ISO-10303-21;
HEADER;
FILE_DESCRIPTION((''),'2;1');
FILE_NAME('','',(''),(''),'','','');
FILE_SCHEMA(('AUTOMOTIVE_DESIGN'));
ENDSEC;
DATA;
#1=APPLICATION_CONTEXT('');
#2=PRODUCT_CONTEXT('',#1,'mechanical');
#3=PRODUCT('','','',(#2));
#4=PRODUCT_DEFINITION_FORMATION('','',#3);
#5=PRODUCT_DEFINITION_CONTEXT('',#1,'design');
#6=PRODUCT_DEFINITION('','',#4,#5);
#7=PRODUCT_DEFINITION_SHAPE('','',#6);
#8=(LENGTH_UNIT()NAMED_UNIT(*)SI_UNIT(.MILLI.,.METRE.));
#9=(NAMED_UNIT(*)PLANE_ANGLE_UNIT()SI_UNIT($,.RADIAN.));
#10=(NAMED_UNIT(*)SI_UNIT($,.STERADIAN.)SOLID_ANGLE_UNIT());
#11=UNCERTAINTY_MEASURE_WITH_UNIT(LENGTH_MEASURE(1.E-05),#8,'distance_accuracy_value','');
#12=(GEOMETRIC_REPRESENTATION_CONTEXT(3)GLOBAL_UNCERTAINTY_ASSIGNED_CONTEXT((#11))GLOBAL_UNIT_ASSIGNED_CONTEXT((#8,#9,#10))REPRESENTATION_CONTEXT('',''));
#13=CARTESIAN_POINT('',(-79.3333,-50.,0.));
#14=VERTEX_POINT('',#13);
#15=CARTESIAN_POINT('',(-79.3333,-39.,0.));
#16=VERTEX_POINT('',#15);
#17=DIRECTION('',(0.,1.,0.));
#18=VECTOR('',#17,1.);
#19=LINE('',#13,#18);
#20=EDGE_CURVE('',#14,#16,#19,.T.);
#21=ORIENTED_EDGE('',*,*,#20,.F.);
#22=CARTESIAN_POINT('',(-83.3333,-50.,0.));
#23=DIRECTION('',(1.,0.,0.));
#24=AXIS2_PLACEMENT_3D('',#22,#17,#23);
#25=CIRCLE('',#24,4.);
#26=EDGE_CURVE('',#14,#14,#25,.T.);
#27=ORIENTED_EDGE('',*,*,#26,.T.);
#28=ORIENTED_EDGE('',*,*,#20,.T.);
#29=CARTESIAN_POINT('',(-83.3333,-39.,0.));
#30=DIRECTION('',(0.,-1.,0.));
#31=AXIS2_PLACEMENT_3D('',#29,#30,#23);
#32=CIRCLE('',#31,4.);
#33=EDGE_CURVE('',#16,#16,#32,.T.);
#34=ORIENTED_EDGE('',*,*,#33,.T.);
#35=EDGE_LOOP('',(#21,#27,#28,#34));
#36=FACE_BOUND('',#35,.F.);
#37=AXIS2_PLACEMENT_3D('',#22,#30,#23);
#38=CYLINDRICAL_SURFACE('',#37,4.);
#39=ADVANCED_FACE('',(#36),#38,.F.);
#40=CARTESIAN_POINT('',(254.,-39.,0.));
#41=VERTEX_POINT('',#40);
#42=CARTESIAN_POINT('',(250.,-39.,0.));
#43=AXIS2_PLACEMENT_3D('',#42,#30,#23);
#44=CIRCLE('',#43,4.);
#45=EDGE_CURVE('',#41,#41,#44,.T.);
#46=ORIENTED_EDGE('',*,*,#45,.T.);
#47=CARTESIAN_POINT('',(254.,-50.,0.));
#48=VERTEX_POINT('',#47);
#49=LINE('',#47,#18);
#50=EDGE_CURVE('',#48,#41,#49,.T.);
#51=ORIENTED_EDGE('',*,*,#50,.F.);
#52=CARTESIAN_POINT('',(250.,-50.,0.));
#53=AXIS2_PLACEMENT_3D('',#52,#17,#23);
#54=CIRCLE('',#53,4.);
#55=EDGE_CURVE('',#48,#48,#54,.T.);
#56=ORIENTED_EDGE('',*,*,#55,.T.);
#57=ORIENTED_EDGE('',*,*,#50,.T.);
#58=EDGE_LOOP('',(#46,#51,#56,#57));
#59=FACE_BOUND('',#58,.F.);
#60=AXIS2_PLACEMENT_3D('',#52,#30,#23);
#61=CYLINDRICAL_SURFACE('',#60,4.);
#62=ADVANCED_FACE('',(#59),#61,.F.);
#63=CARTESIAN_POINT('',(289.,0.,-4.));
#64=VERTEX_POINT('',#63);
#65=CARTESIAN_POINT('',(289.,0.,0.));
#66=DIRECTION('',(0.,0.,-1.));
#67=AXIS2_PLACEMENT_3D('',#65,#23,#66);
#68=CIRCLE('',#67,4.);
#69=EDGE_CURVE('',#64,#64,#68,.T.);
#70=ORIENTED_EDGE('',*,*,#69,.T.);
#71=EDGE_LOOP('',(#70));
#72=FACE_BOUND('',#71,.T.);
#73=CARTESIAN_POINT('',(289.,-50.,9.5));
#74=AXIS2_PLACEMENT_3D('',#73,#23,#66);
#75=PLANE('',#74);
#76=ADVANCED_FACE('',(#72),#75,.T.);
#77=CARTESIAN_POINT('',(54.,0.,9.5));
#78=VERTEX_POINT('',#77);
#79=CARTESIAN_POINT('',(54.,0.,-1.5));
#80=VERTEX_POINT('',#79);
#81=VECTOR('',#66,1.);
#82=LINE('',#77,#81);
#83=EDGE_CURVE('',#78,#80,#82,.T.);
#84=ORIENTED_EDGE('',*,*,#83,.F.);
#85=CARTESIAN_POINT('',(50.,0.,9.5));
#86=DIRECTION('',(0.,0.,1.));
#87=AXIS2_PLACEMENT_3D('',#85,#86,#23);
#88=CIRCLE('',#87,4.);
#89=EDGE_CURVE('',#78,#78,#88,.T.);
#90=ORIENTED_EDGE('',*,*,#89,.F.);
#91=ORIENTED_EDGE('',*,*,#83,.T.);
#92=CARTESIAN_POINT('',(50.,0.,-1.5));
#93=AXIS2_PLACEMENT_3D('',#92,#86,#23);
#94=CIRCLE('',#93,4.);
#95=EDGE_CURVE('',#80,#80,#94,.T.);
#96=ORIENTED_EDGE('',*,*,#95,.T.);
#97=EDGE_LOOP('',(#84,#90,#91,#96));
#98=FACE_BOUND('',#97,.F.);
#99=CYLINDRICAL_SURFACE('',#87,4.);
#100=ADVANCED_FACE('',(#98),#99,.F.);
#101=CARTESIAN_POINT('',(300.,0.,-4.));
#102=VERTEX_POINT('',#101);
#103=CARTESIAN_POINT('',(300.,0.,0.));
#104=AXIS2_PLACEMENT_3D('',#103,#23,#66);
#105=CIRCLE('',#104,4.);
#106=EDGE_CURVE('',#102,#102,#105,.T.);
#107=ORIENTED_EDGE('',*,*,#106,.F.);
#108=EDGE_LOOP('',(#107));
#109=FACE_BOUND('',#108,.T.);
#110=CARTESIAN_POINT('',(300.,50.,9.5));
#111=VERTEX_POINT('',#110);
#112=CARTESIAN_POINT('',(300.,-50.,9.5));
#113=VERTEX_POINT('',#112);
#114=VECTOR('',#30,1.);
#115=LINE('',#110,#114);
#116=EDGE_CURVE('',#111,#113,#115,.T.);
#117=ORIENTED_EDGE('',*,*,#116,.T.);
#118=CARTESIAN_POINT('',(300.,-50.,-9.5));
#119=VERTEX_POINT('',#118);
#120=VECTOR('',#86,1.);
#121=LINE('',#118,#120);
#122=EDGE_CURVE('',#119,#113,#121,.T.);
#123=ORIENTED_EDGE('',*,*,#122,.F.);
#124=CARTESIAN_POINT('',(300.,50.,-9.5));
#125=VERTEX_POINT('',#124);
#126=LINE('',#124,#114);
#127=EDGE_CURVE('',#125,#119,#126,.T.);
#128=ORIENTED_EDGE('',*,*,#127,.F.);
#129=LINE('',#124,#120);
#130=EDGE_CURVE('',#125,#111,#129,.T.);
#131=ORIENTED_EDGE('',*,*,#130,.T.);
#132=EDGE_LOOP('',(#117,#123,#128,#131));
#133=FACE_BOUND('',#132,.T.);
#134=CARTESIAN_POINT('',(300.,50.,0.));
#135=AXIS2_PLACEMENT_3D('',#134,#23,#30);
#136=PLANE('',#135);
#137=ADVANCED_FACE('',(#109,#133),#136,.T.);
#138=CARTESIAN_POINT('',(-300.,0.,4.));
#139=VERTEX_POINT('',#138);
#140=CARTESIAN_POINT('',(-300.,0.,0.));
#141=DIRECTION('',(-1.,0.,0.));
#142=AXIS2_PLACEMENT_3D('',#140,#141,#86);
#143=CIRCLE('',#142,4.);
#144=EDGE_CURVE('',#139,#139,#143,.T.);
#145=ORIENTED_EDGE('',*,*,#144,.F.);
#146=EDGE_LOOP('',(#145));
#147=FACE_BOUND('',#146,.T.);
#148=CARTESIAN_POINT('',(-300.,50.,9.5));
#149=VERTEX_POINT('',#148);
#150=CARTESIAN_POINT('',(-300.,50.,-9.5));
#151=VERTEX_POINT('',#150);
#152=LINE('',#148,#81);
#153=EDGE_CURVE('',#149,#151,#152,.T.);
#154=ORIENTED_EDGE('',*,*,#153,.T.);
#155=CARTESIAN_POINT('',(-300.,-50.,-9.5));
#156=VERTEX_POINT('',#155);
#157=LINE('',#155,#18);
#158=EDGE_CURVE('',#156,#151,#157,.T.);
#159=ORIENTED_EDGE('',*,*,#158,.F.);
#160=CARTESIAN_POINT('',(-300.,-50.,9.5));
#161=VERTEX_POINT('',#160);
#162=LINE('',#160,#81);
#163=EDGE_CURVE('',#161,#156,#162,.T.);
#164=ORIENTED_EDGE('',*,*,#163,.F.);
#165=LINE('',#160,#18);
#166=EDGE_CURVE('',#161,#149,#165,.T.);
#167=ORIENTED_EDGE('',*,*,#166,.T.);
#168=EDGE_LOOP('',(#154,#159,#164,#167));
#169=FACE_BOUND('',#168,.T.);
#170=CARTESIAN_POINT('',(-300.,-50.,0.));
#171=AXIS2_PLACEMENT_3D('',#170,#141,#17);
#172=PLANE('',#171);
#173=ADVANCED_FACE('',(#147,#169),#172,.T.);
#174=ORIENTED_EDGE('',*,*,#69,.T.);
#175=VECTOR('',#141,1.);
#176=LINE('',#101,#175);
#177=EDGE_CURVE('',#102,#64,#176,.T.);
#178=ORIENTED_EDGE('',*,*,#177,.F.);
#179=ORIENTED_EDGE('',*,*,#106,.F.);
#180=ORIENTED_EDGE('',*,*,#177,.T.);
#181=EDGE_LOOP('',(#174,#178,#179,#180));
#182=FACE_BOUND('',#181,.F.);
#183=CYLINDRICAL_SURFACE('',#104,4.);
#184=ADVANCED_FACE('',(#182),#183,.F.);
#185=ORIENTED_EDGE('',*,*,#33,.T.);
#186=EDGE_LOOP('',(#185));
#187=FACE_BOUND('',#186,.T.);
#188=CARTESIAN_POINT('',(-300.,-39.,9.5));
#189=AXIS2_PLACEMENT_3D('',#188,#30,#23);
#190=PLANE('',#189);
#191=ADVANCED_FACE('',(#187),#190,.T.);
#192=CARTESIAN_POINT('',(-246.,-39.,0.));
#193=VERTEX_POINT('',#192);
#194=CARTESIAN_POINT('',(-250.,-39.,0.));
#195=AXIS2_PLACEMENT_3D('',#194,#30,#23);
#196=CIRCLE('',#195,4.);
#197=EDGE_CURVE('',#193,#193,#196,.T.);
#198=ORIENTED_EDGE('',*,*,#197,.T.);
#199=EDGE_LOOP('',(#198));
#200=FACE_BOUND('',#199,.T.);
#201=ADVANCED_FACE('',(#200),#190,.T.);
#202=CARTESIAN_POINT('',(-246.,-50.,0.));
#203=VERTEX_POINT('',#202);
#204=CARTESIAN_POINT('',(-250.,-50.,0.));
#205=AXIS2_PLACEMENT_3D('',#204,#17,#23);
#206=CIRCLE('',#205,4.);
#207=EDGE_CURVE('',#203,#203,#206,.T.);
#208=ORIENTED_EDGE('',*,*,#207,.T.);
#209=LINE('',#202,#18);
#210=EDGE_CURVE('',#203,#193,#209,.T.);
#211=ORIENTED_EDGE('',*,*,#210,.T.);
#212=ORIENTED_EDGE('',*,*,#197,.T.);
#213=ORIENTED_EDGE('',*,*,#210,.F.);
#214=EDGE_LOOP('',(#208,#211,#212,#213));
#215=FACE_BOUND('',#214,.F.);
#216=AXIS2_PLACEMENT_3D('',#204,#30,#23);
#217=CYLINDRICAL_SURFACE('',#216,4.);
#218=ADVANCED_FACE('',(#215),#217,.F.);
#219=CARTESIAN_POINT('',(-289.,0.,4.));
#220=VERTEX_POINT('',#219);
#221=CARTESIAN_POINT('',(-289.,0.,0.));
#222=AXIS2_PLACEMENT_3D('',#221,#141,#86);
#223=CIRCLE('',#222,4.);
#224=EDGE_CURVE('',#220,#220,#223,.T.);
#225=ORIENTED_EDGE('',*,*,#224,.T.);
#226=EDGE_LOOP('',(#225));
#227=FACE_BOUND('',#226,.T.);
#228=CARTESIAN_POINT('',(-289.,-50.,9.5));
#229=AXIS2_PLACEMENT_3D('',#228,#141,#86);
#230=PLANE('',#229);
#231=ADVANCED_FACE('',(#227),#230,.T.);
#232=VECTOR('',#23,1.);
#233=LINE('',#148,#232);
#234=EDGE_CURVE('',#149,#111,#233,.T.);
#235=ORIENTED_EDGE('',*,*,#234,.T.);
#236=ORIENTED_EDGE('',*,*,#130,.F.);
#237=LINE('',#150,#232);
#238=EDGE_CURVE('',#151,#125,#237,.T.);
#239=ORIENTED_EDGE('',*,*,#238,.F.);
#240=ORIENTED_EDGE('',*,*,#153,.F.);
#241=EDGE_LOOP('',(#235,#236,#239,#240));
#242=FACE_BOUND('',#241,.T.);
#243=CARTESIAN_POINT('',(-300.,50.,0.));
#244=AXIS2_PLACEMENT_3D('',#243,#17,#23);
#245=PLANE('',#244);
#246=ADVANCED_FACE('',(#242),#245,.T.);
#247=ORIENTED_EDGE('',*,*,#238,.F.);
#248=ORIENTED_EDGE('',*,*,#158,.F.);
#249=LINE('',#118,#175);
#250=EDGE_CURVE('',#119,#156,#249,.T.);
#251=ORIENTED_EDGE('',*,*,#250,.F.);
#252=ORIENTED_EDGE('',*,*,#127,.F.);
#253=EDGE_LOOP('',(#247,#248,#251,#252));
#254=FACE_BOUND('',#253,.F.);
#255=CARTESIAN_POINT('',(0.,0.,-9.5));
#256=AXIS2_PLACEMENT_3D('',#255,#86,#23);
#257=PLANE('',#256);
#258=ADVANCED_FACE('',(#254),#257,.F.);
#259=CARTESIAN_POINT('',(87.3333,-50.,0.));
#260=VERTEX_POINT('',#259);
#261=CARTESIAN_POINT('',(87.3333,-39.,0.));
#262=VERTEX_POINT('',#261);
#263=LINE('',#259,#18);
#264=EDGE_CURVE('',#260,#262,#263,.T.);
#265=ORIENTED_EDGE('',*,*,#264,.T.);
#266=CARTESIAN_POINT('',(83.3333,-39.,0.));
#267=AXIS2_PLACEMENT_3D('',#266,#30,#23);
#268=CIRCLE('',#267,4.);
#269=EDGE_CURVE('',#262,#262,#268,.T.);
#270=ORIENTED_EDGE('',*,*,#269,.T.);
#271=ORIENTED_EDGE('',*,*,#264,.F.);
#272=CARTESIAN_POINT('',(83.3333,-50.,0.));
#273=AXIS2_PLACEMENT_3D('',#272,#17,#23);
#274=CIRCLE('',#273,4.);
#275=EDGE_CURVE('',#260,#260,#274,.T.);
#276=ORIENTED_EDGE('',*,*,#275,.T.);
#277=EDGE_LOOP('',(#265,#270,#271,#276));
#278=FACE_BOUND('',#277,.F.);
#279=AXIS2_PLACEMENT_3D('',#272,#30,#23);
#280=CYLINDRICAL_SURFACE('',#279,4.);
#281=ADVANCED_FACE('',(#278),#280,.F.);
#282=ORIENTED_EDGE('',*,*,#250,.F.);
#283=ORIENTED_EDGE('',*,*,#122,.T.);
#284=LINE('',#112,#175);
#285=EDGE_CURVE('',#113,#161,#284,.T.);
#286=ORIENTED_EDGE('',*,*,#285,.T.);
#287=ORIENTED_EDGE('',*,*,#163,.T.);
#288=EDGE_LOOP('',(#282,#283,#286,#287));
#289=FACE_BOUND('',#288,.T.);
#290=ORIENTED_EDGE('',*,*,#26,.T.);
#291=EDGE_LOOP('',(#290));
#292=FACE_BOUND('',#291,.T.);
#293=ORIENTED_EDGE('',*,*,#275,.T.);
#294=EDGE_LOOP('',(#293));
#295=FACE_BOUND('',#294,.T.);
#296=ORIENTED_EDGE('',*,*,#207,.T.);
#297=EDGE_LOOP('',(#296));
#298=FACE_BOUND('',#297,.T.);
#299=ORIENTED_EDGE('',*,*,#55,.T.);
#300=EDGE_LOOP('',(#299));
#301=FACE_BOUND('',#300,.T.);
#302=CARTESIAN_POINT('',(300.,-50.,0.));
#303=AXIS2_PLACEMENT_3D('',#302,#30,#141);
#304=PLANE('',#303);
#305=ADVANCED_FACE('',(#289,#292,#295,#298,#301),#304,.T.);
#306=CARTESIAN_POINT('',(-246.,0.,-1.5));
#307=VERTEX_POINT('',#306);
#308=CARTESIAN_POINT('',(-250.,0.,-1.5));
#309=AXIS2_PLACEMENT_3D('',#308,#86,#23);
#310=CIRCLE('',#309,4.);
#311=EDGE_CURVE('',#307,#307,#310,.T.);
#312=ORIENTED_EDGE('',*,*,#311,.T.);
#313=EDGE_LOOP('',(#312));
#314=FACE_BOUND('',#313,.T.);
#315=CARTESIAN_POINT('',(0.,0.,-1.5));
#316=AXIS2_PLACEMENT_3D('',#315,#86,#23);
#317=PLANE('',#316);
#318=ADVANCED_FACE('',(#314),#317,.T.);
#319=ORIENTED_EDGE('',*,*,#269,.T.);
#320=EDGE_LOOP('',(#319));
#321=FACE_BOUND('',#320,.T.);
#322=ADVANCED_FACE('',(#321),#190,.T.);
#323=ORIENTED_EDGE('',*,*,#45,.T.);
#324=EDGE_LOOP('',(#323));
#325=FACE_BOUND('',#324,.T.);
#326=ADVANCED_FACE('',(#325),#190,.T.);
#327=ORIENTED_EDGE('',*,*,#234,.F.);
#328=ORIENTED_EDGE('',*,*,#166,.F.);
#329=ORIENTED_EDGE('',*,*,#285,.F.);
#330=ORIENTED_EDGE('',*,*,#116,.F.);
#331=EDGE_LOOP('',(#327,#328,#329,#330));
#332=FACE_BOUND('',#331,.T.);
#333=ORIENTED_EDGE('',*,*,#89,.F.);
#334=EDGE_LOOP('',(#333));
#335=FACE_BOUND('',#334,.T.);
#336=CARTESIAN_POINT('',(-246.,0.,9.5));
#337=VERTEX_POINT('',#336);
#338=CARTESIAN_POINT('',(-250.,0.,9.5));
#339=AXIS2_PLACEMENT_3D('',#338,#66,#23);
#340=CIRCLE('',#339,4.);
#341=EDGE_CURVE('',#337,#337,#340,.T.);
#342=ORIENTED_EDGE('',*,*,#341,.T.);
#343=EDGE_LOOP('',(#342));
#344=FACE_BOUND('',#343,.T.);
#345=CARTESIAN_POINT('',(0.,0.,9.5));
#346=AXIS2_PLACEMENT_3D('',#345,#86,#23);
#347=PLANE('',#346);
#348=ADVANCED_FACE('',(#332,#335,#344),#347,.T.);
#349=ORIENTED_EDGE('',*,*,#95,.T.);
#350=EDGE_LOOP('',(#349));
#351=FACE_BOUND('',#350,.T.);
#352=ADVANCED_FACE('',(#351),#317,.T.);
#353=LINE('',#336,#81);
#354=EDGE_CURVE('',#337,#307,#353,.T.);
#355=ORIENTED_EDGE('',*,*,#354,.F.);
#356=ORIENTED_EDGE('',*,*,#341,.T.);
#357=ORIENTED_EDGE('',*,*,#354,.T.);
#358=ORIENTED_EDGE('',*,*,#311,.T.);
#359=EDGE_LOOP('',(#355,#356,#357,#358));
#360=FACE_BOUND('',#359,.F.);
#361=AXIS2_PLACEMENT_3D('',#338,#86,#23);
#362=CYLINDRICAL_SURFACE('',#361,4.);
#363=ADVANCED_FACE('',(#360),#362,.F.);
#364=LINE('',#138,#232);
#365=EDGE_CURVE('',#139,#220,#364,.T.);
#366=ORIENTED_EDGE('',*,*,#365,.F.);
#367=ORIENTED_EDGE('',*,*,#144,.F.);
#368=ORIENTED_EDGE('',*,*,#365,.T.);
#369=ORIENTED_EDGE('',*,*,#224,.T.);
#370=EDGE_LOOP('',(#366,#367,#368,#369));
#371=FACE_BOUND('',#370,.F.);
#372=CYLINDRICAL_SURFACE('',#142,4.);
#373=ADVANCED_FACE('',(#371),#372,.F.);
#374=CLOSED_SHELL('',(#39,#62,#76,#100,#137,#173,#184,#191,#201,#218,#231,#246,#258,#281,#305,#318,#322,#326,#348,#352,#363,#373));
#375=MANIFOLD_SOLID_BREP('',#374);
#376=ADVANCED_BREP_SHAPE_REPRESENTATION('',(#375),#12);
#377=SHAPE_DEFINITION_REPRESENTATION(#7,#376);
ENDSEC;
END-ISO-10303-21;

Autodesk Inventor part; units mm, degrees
ref_plane "YZ Plane" through (0, 0, 0) normal (1, 0, 0) x (0, 1, 0)
ref_plane "XZ Plane" through (0, 0, 0) normal (0, 1, 0) x (-1, 0, 0)
ref_plane "XY Plane" through (0, 0, 0) normal (0, 0, 1) x (1, 0, 0)
sketch "Sketch1" plane through (0, 0, 0) normal (0, 0, 1) x (1, 0, 0)
  line L0 (300, -50) -> (-300, -50)
  line L1 (-300, -50) -> (-300, 50)
  line L2 (-300, 50) -> (300, 50)
  line L3 (300, 50) -> (300, -50)
  line L4 (300, -50) -> (-300, 50) construction
  line L5 (-300, -50) -> (300, 50) construction
  point P0 (0, 0)
  dimension "d0" = 600
  dimension "d1" = 100
extrude "Extrusion1" add sketch "Sketch1" along normal blind 9.5 and the other way blind 9.5
sketch "Sketch2" plane through (0, 0, 9.5) normal (0, 0, 1) x (1, 0, 0)
  line L0 (300, -50) -> (300, 50) projected
  line L1 (300, 0) -> (50, 0)
  line L2 (-300, 50) -> (-300, -50) projected
  line L3 (-300, 0) -> (-250, 0)
  circle A0 centre (-250, 0) radius 4
  circle A1 centre (50, 0) radius 4
  point P0 (0, 0)
  dimension "d6" = 250
  dimension "d7" = 50
  dimension "d8" = 8
  dimension "d9" = 8
extrude "Extrusion2" cut sketch "Sketch2" against normal blind 11
sketch "Sketch3" plane through (300, -50, 9.5) normal (1, 0, 0) x (0, 0, -1)
  circle A0 centre (9.5, 50) radius 4
  dimension "d12" = 8
extrude "Extrusion3" cut sketch "Sketch3" against normal blind 11
sketch "Sketch4" plane through (-300, -50, 9.5) normal (-1, 0, 0) x (0, 0, 1)
  circle A0 centre (-9.5, 50) radius 4
  dimension "d15" = 8
extrude "Extrusion4" cut sketch "Sketch4" against normal blind 11
sketch "Sketch5" plane through (-300, -50, 9.5) normal (0, -1, 0) x (1, 0, 0)
  line L0 (0, -19) -> (0, 0) projected
  line L1 (0, -9.5) -> (50, -9.5)
  line L2 (50, -9.5) -> (216.6667, -9.5)
  line L3 (216.6667, -9.5) -> (383.3333, -9.5)
  line L4 (383.3333, -9.5) -> (550, -9.5)
  line L5 (550, -9.5) -> (600, -9.5)
  circle A0 centre (50, -9.5) radius 4
  circle A1 centre (216.6667, -9.5) radius 4
  circle A2 centre (383.3333, -9.5) radius 4
  circle A3 centre (550, -9.5) radius 4
  point P0 (300, -9.5)
  dimension "d18" = 50
  dimension "d19" = 166.6667
  dimension "d20" = 166.6667
  dimension "d21" = 166.6667
  dimension "d22" = 50
  dimension "d23" = 8
  dimension "d24" = 8
  dimension "d25" = 8
  dimension "d26" = 8
extrude "Extrusion5" cut sketch "Sketch5" against normal blind 11
properties part number "C"
